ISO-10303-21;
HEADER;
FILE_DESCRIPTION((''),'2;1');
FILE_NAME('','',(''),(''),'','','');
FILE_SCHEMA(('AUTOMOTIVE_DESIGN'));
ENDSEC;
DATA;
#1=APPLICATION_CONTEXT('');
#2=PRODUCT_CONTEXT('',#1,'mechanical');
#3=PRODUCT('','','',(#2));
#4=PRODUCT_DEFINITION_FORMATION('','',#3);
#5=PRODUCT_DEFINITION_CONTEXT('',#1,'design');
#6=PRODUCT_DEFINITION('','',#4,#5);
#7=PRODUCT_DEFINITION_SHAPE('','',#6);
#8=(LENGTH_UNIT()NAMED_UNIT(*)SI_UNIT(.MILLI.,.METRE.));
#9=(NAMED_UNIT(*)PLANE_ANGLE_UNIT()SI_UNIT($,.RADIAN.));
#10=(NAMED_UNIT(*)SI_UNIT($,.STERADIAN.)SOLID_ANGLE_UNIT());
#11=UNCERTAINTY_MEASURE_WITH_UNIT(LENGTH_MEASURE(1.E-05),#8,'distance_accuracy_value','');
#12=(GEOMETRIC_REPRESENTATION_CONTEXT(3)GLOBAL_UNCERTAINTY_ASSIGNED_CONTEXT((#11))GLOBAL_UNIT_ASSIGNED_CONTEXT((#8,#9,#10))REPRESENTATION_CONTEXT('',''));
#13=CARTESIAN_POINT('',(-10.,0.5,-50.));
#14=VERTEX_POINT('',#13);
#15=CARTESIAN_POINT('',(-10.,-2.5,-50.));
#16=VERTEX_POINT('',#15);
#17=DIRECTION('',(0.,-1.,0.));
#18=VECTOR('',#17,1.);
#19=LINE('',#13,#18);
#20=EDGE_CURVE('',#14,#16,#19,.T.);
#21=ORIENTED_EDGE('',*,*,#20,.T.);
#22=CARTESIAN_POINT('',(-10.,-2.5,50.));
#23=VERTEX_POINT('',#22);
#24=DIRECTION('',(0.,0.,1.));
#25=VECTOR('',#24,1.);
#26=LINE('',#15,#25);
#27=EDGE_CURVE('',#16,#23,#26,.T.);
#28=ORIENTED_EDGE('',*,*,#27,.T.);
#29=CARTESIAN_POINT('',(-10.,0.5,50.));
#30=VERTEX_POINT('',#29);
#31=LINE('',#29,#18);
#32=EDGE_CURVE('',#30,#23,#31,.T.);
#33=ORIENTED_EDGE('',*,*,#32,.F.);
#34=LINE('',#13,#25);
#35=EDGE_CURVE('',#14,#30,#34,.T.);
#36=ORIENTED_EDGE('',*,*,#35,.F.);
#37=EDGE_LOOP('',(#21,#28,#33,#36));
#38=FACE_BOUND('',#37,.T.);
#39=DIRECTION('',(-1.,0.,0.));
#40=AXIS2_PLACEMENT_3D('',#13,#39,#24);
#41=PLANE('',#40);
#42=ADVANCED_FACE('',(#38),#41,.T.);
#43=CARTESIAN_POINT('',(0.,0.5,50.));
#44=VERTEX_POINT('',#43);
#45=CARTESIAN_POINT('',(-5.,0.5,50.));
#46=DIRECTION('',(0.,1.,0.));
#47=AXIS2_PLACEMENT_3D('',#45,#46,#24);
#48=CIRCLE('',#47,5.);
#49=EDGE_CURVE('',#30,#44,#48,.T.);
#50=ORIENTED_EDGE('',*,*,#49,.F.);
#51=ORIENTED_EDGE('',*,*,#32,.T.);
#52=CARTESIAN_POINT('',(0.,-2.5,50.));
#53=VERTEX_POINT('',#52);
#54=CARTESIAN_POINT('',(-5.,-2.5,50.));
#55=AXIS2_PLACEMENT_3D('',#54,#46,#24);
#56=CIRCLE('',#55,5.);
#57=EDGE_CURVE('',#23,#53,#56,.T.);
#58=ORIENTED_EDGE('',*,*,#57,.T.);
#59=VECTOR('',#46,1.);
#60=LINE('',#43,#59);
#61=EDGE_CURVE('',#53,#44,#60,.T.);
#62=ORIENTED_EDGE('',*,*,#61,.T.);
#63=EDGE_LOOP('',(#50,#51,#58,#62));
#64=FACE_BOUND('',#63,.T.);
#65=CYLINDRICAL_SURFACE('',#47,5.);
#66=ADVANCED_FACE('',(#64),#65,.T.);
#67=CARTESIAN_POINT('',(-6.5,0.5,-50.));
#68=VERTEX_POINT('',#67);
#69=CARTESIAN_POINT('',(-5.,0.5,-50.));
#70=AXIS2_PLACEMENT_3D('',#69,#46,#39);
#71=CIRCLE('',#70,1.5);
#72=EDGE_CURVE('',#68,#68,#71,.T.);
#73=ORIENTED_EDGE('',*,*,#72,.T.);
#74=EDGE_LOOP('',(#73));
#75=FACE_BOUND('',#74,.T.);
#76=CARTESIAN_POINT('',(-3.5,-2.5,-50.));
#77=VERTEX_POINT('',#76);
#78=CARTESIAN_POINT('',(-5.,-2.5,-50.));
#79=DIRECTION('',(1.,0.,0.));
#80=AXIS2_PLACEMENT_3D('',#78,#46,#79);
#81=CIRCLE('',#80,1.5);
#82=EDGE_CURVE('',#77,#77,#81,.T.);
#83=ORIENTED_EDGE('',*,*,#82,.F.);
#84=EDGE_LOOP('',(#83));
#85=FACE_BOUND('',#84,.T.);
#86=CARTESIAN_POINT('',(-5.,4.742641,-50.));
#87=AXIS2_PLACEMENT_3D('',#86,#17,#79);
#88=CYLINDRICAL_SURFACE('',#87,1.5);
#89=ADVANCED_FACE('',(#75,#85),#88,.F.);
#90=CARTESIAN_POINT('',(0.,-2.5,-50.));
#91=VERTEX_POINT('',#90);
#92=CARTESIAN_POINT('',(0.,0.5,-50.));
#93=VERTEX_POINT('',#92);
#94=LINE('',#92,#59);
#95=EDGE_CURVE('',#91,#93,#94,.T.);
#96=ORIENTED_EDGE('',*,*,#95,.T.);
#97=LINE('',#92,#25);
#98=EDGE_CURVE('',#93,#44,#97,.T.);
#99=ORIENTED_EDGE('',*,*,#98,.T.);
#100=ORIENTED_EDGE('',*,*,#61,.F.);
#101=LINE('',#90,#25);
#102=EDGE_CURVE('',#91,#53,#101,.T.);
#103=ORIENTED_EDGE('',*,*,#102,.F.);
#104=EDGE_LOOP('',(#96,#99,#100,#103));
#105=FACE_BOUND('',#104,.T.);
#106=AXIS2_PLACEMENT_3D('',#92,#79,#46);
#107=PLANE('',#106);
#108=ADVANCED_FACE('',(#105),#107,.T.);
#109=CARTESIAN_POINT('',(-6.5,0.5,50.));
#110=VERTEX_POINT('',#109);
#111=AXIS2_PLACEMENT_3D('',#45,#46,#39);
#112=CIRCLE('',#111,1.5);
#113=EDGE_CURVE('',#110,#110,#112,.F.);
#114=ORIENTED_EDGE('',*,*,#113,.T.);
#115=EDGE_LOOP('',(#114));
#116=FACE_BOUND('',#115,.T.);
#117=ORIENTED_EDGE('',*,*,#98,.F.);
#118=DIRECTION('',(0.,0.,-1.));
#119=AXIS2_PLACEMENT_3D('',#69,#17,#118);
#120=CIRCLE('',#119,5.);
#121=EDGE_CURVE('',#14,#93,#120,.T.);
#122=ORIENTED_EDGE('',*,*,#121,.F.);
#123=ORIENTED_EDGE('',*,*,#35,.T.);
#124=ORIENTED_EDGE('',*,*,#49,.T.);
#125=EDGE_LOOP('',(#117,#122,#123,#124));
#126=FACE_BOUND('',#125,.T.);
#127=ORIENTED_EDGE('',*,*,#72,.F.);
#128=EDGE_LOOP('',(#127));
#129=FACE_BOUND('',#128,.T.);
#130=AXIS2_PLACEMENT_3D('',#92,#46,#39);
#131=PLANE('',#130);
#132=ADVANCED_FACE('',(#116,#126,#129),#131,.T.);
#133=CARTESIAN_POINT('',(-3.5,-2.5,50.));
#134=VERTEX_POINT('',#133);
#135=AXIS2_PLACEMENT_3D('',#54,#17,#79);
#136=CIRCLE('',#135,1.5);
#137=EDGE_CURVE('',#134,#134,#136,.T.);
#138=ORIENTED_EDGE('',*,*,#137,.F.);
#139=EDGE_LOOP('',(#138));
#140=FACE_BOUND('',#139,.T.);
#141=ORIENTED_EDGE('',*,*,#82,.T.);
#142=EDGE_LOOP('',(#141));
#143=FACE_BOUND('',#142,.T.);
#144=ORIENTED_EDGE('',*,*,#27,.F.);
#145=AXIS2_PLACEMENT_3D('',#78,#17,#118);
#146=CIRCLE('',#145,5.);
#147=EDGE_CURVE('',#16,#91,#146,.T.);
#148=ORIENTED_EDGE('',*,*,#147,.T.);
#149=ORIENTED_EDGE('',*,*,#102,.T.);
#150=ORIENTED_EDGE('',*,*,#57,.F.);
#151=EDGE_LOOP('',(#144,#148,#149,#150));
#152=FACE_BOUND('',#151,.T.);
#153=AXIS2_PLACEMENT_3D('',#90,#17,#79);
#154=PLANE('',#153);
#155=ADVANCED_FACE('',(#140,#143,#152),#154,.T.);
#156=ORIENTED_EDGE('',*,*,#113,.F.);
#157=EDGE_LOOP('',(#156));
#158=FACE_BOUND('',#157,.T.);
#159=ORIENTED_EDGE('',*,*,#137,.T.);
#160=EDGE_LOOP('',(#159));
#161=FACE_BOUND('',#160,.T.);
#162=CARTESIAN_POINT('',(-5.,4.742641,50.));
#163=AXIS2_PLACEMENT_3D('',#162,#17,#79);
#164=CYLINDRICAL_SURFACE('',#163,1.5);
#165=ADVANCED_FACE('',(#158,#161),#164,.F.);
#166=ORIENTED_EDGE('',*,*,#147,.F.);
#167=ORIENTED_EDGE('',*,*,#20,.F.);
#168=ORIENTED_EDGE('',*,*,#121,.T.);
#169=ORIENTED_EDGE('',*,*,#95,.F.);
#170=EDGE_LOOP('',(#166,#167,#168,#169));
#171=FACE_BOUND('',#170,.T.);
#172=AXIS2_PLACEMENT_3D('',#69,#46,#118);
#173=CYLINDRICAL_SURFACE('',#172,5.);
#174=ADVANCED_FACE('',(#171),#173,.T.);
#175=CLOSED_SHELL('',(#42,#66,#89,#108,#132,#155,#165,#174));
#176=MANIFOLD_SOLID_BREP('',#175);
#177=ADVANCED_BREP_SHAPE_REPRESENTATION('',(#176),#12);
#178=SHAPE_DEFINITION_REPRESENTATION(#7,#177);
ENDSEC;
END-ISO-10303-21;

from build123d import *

# Parameters (mm, degrees)
BOSS_EXTRUDE1_DEPTH      = 50
BOSS_EXTRUDE1_DEPTH_BACK = 50
SKETCH2_W                = 10
SKETCH2_H                = 3
SKETCH3_W                = 5
SKETCH3_H                = 3
SKETCH5_R                = 1.5
CUT_EXTRUDE2_DEPTH       = 3


with BuildPart() as part:
    # Sketch2 → Boss-Extrude1 (new, two sides: drawn at the far end of the back side and taken through both)
    with BuildSketch(Plane.XY.offset(-BOSS_EXTRUDE1_DEPTH_BACK)):
        with Locations((-5, -1)):
            Rectangle(SKETCH2_W, SKETCH2_H)
    extrude(amount=BOSS_EXTRUDE1_DEPTH + BOSS_EXTRUDE1_DEPTH_BACK)

    # Sketch3 → Revolve1 (revolve)
    with BuildSketch(Plane.XY.offset(50)):
        with Locations((-2.5, -1)):
            Rectangle(SKETCH3_W, SKETCH3_H)
    revolve1 = revolve(axis=Axis((-5, 0.5, 50), (0, -1, 0)))

    # Mirror1: Revolve1 across plane
    add(revolve1.mirror(Plane.XY))

    # Sketch5 → Cut-Extrude2 (cut)
    with BuildSketch(Plane(origin=(0, -2.5, 0), x_dir=(-1, 0, 0), z_dir=(0, -1, 0))):
        with Locations(Location((5, -50, 0), (0, 0, 180))):
            Circle(SKETCH5_R)
    cut_extrude2 = extrude(amount=-CUT_EXTRUDE2_DEPTH, mode=Mode.SUBTRACT)

    # Mirror2: Cut-Extrude2 across plane
    add(cut_extrude2.mirror(Plane.XY), mode=Mode.SUBTRACT)


solid = part.part
